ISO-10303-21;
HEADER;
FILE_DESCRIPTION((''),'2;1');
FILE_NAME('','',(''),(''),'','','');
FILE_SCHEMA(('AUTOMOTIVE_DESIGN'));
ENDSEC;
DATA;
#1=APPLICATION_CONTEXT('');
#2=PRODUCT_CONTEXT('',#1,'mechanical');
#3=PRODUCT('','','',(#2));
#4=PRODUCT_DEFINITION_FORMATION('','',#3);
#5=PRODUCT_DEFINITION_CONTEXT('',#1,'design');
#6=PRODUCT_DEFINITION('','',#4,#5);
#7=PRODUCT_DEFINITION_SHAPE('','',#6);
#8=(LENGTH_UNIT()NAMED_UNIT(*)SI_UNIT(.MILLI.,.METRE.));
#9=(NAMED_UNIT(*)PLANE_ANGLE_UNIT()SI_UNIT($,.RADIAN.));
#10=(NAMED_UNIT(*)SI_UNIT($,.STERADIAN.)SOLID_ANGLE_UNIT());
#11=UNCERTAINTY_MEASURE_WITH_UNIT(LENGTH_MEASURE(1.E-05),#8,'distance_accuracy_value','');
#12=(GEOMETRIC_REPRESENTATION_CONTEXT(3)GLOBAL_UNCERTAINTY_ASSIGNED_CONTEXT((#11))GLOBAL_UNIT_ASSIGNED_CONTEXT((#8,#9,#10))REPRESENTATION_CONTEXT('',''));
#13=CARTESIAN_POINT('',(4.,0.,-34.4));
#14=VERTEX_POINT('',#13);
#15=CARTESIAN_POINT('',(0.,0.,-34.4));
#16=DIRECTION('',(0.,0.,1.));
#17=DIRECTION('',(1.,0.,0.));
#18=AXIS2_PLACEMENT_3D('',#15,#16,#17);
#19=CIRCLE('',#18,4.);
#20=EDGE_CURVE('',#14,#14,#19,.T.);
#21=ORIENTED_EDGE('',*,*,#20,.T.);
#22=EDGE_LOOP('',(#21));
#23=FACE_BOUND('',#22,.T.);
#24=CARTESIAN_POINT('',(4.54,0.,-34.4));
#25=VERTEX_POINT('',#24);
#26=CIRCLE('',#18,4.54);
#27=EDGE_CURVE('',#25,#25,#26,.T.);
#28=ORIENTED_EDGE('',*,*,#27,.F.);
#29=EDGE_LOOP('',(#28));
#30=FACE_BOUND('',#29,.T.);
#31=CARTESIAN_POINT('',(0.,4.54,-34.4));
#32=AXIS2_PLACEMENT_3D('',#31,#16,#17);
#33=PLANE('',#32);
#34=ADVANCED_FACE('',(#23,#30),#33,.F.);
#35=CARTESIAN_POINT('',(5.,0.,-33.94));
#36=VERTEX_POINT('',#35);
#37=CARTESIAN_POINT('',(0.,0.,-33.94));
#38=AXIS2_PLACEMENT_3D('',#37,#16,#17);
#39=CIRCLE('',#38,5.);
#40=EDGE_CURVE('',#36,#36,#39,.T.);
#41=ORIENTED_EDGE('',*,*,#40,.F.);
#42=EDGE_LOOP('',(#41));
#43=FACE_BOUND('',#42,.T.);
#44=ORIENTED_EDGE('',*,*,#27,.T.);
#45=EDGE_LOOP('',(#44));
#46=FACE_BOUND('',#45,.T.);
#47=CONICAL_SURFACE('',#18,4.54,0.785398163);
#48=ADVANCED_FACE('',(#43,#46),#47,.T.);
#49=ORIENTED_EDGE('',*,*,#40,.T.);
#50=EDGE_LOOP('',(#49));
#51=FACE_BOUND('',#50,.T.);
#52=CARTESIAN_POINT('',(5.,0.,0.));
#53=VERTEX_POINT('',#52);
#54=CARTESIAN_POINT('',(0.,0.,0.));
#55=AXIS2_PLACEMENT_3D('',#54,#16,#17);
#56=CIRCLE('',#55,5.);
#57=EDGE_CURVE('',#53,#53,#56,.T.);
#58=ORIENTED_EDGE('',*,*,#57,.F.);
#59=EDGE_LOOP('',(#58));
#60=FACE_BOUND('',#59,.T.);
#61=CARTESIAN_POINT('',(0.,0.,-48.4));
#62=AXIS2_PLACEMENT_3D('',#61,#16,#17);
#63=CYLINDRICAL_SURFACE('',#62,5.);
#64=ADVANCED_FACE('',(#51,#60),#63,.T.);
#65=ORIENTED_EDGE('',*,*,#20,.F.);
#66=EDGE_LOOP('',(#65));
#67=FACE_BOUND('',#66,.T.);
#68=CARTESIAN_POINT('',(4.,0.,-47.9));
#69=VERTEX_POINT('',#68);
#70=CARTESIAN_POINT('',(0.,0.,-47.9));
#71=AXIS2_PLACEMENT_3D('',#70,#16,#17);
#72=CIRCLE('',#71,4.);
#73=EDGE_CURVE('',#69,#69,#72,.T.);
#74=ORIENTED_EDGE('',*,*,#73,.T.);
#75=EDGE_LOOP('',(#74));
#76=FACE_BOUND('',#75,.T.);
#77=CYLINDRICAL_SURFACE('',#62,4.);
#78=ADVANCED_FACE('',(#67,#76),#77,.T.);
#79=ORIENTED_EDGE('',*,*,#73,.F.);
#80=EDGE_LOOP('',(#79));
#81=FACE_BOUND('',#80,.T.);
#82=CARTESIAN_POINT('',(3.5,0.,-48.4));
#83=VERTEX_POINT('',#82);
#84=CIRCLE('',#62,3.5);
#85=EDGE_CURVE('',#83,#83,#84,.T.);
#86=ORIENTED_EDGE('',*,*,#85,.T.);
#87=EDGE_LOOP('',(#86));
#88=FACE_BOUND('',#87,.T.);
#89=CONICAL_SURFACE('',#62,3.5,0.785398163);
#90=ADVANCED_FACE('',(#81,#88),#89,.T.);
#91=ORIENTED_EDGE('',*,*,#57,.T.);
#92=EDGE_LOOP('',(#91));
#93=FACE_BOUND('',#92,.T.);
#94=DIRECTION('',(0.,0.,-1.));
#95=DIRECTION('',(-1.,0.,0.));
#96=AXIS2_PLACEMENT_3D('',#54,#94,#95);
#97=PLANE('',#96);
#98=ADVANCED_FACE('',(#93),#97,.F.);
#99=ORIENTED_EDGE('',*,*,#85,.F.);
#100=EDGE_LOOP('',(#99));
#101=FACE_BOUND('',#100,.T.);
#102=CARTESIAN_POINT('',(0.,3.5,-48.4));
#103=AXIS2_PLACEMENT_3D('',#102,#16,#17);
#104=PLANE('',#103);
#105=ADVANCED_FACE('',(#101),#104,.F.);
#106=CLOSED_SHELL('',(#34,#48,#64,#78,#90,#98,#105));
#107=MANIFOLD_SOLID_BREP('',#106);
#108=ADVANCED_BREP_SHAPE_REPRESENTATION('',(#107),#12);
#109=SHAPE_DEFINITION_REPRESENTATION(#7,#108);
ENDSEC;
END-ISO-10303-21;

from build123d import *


with BuildPart() as part:
    # Sketch1 → Revolve1 (revolve)
    with BuildSketch(Plane(origin=(0, 0, 0), x_dir=(0, 0, -1), z_dir=(1, 0, 0))):
        Polygon((0, 0), (0, 5), (33.94, 5), (34.4, 4.54), (34.4, 4), (47.9, 4), (48.4, 3.5), (48.4, 0), align=None)
    revolve(axis=Axis((0, 0, -48.4), (0, 0, 1)))


solid = part.part
